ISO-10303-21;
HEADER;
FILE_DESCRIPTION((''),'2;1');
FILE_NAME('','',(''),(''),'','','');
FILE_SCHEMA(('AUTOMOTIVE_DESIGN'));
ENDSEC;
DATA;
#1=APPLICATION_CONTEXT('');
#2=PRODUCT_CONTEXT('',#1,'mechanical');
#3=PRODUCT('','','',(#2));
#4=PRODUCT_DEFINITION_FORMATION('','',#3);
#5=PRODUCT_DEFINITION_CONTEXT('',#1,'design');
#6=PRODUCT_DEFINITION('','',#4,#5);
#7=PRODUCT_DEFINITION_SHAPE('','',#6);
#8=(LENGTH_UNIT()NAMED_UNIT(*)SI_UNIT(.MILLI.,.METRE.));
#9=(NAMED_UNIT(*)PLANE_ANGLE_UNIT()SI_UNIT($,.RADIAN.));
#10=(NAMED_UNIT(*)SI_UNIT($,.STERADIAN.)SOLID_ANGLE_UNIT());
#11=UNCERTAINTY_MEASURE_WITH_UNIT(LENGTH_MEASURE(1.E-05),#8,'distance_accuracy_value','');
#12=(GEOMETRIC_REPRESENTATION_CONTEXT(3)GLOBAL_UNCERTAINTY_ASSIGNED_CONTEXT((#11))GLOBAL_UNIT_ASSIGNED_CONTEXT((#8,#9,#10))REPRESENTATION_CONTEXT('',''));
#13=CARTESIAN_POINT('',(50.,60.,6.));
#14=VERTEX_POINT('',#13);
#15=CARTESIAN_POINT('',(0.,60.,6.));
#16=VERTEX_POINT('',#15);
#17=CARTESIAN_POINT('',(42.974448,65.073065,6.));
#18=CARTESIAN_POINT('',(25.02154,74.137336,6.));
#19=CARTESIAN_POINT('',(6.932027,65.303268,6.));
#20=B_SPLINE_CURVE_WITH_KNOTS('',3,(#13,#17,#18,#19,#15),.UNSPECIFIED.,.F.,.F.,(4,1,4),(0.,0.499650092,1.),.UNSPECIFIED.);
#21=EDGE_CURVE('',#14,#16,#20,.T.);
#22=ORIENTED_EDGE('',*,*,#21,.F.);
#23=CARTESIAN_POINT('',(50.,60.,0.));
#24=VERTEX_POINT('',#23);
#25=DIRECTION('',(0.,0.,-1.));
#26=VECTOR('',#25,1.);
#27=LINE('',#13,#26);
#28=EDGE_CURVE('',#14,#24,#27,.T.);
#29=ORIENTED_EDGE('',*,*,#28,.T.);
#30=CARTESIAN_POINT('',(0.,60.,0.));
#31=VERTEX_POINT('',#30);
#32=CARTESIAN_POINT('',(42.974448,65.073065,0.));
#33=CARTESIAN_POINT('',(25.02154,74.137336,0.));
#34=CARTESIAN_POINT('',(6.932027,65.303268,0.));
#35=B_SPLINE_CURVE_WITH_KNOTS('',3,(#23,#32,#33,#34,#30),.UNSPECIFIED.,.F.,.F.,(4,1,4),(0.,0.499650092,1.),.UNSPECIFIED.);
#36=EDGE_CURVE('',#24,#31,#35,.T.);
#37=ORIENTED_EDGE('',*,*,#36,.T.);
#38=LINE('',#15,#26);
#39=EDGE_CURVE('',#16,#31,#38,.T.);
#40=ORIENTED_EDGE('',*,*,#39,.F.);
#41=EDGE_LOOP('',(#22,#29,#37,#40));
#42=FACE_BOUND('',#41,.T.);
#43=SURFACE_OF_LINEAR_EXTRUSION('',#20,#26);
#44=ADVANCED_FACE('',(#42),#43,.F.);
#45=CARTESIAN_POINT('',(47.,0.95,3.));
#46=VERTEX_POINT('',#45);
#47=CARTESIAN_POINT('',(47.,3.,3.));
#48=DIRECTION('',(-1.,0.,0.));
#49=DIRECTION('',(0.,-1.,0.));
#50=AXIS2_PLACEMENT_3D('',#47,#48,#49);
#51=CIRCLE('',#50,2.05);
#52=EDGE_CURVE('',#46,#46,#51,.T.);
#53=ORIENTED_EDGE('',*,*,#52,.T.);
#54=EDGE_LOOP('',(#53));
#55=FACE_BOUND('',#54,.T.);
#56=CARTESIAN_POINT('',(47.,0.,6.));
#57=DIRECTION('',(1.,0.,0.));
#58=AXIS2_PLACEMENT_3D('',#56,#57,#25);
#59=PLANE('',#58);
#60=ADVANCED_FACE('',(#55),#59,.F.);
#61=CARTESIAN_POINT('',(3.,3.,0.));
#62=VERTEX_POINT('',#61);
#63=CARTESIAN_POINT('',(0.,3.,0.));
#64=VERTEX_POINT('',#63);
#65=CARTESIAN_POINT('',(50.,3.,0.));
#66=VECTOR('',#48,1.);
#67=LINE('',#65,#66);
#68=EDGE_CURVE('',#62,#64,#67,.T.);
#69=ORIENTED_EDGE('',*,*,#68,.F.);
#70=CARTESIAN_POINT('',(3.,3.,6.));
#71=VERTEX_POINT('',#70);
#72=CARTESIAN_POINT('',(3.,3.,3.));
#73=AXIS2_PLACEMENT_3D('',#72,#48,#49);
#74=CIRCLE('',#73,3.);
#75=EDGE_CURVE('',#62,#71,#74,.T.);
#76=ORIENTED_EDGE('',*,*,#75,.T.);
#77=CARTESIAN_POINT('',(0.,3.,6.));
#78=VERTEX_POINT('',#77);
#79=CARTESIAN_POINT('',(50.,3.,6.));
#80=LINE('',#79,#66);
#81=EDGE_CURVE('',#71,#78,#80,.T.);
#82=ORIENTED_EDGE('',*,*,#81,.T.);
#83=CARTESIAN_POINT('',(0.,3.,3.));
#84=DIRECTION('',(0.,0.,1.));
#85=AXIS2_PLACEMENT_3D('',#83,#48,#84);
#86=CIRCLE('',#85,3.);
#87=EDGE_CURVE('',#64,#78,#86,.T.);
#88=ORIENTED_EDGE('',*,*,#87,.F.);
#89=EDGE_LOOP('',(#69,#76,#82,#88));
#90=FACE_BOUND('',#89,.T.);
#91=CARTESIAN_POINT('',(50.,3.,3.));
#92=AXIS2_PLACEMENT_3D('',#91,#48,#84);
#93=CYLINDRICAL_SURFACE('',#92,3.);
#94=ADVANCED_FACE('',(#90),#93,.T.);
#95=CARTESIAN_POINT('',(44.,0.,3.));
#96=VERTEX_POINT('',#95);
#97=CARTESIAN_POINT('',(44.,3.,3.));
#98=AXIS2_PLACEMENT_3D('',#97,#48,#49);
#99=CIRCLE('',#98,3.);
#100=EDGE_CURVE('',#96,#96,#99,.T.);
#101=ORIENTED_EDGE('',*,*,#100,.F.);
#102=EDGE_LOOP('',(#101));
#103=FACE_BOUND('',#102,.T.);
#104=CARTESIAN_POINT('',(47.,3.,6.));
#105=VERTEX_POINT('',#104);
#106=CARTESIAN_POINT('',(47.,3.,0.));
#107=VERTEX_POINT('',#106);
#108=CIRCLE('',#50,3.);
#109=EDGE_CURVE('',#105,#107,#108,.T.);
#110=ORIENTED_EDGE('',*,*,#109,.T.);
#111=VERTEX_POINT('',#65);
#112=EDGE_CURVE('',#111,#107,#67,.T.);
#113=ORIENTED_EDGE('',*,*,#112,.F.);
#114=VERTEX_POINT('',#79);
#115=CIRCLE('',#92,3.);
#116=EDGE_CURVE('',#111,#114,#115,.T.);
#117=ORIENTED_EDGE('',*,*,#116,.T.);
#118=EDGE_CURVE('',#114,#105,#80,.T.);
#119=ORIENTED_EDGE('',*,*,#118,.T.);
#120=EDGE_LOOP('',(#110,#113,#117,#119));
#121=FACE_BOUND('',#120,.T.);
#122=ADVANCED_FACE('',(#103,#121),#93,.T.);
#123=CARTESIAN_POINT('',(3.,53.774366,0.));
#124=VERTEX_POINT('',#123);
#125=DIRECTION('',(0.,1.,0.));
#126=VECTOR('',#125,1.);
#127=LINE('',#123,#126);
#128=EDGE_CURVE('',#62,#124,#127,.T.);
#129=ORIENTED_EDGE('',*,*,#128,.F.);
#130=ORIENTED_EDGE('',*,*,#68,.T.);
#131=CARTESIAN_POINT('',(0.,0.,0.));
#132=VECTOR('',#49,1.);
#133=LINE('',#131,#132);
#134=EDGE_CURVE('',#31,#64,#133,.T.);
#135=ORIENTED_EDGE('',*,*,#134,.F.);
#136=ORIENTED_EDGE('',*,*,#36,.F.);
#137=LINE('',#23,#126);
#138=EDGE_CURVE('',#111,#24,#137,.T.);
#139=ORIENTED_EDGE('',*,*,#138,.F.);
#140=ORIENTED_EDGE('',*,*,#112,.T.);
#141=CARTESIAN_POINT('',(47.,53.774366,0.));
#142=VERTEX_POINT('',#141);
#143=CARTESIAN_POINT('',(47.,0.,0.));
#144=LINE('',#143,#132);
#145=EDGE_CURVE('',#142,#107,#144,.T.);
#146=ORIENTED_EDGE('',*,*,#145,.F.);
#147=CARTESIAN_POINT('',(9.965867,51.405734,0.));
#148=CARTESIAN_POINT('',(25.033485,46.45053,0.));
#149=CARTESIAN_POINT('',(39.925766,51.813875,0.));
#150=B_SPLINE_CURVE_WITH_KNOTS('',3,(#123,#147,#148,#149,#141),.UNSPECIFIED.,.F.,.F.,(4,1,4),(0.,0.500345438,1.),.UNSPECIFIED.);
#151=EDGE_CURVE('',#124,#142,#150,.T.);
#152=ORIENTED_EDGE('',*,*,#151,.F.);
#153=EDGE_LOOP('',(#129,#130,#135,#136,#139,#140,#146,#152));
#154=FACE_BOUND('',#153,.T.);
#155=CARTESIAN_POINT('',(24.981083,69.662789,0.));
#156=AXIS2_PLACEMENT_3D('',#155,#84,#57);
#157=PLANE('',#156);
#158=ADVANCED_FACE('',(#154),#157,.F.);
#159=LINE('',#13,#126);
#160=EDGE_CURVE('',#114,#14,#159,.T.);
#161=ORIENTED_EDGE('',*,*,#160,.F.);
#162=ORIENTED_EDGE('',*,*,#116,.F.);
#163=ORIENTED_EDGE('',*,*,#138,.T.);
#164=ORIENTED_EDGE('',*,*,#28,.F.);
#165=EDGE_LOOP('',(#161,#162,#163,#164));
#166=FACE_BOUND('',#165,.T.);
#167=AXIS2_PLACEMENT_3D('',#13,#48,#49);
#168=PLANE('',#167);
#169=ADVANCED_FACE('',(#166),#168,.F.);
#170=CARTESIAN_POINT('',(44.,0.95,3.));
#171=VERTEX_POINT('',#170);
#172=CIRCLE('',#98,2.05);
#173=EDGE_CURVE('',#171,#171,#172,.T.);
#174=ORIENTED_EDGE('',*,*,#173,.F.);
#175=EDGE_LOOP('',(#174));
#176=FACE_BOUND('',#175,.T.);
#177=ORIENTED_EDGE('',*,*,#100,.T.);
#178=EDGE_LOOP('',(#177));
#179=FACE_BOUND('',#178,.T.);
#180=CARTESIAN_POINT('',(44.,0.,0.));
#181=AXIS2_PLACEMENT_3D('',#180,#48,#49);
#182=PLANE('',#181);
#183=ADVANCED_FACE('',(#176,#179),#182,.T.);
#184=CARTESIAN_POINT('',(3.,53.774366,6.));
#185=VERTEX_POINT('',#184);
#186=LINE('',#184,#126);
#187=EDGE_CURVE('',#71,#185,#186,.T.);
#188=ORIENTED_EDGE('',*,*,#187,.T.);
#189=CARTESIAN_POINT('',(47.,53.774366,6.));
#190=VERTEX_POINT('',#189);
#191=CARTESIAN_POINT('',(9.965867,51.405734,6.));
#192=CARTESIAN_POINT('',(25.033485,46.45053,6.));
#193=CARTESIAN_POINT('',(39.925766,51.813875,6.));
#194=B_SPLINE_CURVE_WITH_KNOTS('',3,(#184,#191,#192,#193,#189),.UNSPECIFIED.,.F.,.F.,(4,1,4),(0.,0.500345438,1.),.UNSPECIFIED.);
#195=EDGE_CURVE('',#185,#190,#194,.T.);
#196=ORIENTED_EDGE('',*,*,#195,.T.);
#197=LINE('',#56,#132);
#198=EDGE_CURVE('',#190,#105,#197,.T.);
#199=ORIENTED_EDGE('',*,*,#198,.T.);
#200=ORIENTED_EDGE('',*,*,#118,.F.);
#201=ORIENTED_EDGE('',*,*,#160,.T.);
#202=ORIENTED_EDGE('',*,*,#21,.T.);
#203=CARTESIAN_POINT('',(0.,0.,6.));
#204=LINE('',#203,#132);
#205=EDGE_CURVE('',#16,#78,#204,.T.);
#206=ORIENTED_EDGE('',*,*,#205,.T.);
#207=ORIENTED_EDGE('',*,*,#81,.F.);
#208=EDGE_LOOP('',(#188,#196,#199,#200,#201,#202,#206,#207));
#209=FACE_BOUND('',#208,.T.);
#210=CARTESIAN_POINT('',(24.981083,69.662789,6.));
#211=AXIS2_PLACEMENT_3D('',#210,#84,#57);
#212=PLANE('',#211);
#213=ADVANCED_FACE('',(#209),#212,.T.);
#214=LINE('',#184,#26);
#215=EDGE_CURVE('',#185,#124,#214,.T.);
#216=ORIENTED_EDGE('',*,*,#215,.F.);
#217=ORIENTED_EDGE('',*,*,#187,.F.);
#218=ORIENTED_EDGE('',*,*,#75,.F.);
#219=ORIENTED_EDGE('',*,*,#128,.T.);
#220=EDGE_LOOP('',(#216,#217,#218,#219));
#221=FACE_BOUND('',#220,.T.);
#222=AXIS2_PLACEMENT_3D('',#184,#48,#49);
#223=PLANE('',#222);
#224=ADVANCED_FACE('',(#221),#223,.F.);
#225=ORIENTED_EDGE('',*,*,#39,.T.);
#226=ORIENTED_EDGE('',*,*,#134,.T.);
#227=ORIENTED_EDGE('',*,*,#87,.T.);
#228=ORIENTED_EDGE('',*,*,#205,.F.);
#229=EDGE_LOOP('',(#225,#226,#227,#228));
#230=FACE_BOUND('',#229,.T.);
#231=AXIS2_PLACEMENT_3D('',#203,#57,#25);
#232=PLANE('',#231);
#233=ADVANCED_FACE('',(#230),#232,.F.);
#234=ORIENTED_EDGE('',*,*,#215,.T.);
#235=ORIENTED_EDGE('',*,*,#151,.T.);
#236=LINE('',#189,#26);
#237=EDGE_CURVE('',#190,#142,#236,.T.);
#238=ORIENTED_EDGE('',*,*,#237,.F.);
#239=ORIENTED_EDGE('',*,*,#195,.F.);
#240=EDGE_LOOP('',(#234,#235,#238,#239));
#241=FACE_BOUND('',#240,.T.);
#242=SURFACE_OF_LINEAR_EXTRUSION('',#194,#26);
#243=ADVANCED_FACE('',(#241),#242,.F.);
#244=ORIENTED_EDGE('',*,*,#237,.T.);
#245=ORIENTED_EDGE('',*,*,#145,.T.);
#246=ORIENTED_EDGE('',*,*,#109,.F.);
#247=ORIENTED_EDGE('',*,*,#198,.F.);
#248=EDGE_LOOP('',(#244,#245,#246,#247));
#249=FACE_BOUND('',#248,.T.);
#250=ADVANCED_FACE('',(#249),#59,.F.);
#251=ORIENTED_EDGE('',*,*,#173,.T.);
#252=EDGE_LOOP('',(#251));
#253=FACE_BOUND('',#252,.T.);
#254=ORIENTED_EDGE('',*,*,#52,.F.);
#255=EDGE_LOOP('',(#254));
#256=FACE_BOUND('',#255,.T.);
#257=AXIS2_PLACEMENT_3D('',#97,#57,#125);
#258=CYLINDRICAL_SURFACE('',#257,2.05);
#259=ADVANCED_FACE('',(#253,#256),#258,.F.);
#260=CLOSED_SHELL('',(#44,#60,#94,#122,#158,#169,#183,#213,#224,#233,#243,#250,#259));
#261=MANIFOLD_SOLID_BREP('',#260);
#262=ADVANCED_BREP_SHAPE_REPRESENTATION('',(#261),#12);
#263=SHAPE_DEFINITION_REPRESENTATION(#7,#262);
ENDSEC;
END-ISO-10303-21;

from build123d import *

# Parameters (mm, degrees)
EXTRUDE_1_DEPTH          = 6
CUT_EXTRUDE_1_DEPTH      = 86.959139
CUT_EXTRUDE_1_DEPTH_BACK = 86.959139
SKETCH_3_R               = 2.05
EXTRUDE_2_DEPTH          = 3


with BuildPart() as part:
    # 草图1 → 凸台-拉伸1 (new body)
    with BuildSketch(Plane.XY):
        with BuildLine():
            Line((0, 0), (0, 60))
            add(Edge.make_bspline(
                [(0, 60), (6.932027, 65.303268), (25.02154, 74.137336), (42.974448, 65.073065), (50, 60)],
                knots=[0, 0, 0, 0, 0.50035, 1, 1, 1, 1], degree=3))
            Line((50, 60), (50, 0))
            Line((50, 0), (47, 0))
            Line((47, 0), (47, 53.774366))
            add(Edge.make_bspline(
                [(3, 53.774366), (9.965867, 51.405734), (25.033485, 46.45053), (39.925766, 51.813875), (47, 53.774366)],
                knots=[0, 0, 0, 0, 0.500345, 1, 1, 1, 1], degree=3))
            Line((3, 53.774366), (3, 0))
            Line((3, 0), (0, 0))
        make_face()
    extrude(amount=EXTRUDE_1_DEPTH)

    # 草图2 → 切除-拉伸1 (cut, two sides: drawn at the far end of the back side and taken through both)
    with BuildSketch(Plane.ZY.offset(-CUT_EXTRUDE_1_DEPTH_BACK)):
        with BuildLine():
            Line((0, 0), (3, 0))
            ThreePointArc((3, 0), (0.87868, 0.87868), (0, 3))
            Line((0, 3), (0, 0))
        make_face()
        with BuildLine():
            Line((6, 0), (6, 3))
            ThreePointArc((6, 3), (5.12132, 0.87868), (3, 0))
            Line((3, 0), (6, 0))
        make_face()
    extrude(amount=CUT_EXTRUDE_1_DEPTH + CUT_EXTRUDE_1_DEPTH_BACK, mode=Mode.SUBTRACT)

    # 草图3 → 凸台-拉伸2 (add)
    with BuildSketch(Plane.ZY.offset(-47)):
        with BuildLine():
            ThreePointArc((6, 3), (3, 6), (0, 3))
            ThreePointArc((0, 3), (3, 0), (6, 3))
        make_face()
        with Locations(Location((3, 3, 0), (0, 0, 270))):
            Circle(SKETCH_3_R, mode=Mode.SUBTRACT)
    extrude(amount=EXTRUDE_2_DEPTH)


solid = part.part
